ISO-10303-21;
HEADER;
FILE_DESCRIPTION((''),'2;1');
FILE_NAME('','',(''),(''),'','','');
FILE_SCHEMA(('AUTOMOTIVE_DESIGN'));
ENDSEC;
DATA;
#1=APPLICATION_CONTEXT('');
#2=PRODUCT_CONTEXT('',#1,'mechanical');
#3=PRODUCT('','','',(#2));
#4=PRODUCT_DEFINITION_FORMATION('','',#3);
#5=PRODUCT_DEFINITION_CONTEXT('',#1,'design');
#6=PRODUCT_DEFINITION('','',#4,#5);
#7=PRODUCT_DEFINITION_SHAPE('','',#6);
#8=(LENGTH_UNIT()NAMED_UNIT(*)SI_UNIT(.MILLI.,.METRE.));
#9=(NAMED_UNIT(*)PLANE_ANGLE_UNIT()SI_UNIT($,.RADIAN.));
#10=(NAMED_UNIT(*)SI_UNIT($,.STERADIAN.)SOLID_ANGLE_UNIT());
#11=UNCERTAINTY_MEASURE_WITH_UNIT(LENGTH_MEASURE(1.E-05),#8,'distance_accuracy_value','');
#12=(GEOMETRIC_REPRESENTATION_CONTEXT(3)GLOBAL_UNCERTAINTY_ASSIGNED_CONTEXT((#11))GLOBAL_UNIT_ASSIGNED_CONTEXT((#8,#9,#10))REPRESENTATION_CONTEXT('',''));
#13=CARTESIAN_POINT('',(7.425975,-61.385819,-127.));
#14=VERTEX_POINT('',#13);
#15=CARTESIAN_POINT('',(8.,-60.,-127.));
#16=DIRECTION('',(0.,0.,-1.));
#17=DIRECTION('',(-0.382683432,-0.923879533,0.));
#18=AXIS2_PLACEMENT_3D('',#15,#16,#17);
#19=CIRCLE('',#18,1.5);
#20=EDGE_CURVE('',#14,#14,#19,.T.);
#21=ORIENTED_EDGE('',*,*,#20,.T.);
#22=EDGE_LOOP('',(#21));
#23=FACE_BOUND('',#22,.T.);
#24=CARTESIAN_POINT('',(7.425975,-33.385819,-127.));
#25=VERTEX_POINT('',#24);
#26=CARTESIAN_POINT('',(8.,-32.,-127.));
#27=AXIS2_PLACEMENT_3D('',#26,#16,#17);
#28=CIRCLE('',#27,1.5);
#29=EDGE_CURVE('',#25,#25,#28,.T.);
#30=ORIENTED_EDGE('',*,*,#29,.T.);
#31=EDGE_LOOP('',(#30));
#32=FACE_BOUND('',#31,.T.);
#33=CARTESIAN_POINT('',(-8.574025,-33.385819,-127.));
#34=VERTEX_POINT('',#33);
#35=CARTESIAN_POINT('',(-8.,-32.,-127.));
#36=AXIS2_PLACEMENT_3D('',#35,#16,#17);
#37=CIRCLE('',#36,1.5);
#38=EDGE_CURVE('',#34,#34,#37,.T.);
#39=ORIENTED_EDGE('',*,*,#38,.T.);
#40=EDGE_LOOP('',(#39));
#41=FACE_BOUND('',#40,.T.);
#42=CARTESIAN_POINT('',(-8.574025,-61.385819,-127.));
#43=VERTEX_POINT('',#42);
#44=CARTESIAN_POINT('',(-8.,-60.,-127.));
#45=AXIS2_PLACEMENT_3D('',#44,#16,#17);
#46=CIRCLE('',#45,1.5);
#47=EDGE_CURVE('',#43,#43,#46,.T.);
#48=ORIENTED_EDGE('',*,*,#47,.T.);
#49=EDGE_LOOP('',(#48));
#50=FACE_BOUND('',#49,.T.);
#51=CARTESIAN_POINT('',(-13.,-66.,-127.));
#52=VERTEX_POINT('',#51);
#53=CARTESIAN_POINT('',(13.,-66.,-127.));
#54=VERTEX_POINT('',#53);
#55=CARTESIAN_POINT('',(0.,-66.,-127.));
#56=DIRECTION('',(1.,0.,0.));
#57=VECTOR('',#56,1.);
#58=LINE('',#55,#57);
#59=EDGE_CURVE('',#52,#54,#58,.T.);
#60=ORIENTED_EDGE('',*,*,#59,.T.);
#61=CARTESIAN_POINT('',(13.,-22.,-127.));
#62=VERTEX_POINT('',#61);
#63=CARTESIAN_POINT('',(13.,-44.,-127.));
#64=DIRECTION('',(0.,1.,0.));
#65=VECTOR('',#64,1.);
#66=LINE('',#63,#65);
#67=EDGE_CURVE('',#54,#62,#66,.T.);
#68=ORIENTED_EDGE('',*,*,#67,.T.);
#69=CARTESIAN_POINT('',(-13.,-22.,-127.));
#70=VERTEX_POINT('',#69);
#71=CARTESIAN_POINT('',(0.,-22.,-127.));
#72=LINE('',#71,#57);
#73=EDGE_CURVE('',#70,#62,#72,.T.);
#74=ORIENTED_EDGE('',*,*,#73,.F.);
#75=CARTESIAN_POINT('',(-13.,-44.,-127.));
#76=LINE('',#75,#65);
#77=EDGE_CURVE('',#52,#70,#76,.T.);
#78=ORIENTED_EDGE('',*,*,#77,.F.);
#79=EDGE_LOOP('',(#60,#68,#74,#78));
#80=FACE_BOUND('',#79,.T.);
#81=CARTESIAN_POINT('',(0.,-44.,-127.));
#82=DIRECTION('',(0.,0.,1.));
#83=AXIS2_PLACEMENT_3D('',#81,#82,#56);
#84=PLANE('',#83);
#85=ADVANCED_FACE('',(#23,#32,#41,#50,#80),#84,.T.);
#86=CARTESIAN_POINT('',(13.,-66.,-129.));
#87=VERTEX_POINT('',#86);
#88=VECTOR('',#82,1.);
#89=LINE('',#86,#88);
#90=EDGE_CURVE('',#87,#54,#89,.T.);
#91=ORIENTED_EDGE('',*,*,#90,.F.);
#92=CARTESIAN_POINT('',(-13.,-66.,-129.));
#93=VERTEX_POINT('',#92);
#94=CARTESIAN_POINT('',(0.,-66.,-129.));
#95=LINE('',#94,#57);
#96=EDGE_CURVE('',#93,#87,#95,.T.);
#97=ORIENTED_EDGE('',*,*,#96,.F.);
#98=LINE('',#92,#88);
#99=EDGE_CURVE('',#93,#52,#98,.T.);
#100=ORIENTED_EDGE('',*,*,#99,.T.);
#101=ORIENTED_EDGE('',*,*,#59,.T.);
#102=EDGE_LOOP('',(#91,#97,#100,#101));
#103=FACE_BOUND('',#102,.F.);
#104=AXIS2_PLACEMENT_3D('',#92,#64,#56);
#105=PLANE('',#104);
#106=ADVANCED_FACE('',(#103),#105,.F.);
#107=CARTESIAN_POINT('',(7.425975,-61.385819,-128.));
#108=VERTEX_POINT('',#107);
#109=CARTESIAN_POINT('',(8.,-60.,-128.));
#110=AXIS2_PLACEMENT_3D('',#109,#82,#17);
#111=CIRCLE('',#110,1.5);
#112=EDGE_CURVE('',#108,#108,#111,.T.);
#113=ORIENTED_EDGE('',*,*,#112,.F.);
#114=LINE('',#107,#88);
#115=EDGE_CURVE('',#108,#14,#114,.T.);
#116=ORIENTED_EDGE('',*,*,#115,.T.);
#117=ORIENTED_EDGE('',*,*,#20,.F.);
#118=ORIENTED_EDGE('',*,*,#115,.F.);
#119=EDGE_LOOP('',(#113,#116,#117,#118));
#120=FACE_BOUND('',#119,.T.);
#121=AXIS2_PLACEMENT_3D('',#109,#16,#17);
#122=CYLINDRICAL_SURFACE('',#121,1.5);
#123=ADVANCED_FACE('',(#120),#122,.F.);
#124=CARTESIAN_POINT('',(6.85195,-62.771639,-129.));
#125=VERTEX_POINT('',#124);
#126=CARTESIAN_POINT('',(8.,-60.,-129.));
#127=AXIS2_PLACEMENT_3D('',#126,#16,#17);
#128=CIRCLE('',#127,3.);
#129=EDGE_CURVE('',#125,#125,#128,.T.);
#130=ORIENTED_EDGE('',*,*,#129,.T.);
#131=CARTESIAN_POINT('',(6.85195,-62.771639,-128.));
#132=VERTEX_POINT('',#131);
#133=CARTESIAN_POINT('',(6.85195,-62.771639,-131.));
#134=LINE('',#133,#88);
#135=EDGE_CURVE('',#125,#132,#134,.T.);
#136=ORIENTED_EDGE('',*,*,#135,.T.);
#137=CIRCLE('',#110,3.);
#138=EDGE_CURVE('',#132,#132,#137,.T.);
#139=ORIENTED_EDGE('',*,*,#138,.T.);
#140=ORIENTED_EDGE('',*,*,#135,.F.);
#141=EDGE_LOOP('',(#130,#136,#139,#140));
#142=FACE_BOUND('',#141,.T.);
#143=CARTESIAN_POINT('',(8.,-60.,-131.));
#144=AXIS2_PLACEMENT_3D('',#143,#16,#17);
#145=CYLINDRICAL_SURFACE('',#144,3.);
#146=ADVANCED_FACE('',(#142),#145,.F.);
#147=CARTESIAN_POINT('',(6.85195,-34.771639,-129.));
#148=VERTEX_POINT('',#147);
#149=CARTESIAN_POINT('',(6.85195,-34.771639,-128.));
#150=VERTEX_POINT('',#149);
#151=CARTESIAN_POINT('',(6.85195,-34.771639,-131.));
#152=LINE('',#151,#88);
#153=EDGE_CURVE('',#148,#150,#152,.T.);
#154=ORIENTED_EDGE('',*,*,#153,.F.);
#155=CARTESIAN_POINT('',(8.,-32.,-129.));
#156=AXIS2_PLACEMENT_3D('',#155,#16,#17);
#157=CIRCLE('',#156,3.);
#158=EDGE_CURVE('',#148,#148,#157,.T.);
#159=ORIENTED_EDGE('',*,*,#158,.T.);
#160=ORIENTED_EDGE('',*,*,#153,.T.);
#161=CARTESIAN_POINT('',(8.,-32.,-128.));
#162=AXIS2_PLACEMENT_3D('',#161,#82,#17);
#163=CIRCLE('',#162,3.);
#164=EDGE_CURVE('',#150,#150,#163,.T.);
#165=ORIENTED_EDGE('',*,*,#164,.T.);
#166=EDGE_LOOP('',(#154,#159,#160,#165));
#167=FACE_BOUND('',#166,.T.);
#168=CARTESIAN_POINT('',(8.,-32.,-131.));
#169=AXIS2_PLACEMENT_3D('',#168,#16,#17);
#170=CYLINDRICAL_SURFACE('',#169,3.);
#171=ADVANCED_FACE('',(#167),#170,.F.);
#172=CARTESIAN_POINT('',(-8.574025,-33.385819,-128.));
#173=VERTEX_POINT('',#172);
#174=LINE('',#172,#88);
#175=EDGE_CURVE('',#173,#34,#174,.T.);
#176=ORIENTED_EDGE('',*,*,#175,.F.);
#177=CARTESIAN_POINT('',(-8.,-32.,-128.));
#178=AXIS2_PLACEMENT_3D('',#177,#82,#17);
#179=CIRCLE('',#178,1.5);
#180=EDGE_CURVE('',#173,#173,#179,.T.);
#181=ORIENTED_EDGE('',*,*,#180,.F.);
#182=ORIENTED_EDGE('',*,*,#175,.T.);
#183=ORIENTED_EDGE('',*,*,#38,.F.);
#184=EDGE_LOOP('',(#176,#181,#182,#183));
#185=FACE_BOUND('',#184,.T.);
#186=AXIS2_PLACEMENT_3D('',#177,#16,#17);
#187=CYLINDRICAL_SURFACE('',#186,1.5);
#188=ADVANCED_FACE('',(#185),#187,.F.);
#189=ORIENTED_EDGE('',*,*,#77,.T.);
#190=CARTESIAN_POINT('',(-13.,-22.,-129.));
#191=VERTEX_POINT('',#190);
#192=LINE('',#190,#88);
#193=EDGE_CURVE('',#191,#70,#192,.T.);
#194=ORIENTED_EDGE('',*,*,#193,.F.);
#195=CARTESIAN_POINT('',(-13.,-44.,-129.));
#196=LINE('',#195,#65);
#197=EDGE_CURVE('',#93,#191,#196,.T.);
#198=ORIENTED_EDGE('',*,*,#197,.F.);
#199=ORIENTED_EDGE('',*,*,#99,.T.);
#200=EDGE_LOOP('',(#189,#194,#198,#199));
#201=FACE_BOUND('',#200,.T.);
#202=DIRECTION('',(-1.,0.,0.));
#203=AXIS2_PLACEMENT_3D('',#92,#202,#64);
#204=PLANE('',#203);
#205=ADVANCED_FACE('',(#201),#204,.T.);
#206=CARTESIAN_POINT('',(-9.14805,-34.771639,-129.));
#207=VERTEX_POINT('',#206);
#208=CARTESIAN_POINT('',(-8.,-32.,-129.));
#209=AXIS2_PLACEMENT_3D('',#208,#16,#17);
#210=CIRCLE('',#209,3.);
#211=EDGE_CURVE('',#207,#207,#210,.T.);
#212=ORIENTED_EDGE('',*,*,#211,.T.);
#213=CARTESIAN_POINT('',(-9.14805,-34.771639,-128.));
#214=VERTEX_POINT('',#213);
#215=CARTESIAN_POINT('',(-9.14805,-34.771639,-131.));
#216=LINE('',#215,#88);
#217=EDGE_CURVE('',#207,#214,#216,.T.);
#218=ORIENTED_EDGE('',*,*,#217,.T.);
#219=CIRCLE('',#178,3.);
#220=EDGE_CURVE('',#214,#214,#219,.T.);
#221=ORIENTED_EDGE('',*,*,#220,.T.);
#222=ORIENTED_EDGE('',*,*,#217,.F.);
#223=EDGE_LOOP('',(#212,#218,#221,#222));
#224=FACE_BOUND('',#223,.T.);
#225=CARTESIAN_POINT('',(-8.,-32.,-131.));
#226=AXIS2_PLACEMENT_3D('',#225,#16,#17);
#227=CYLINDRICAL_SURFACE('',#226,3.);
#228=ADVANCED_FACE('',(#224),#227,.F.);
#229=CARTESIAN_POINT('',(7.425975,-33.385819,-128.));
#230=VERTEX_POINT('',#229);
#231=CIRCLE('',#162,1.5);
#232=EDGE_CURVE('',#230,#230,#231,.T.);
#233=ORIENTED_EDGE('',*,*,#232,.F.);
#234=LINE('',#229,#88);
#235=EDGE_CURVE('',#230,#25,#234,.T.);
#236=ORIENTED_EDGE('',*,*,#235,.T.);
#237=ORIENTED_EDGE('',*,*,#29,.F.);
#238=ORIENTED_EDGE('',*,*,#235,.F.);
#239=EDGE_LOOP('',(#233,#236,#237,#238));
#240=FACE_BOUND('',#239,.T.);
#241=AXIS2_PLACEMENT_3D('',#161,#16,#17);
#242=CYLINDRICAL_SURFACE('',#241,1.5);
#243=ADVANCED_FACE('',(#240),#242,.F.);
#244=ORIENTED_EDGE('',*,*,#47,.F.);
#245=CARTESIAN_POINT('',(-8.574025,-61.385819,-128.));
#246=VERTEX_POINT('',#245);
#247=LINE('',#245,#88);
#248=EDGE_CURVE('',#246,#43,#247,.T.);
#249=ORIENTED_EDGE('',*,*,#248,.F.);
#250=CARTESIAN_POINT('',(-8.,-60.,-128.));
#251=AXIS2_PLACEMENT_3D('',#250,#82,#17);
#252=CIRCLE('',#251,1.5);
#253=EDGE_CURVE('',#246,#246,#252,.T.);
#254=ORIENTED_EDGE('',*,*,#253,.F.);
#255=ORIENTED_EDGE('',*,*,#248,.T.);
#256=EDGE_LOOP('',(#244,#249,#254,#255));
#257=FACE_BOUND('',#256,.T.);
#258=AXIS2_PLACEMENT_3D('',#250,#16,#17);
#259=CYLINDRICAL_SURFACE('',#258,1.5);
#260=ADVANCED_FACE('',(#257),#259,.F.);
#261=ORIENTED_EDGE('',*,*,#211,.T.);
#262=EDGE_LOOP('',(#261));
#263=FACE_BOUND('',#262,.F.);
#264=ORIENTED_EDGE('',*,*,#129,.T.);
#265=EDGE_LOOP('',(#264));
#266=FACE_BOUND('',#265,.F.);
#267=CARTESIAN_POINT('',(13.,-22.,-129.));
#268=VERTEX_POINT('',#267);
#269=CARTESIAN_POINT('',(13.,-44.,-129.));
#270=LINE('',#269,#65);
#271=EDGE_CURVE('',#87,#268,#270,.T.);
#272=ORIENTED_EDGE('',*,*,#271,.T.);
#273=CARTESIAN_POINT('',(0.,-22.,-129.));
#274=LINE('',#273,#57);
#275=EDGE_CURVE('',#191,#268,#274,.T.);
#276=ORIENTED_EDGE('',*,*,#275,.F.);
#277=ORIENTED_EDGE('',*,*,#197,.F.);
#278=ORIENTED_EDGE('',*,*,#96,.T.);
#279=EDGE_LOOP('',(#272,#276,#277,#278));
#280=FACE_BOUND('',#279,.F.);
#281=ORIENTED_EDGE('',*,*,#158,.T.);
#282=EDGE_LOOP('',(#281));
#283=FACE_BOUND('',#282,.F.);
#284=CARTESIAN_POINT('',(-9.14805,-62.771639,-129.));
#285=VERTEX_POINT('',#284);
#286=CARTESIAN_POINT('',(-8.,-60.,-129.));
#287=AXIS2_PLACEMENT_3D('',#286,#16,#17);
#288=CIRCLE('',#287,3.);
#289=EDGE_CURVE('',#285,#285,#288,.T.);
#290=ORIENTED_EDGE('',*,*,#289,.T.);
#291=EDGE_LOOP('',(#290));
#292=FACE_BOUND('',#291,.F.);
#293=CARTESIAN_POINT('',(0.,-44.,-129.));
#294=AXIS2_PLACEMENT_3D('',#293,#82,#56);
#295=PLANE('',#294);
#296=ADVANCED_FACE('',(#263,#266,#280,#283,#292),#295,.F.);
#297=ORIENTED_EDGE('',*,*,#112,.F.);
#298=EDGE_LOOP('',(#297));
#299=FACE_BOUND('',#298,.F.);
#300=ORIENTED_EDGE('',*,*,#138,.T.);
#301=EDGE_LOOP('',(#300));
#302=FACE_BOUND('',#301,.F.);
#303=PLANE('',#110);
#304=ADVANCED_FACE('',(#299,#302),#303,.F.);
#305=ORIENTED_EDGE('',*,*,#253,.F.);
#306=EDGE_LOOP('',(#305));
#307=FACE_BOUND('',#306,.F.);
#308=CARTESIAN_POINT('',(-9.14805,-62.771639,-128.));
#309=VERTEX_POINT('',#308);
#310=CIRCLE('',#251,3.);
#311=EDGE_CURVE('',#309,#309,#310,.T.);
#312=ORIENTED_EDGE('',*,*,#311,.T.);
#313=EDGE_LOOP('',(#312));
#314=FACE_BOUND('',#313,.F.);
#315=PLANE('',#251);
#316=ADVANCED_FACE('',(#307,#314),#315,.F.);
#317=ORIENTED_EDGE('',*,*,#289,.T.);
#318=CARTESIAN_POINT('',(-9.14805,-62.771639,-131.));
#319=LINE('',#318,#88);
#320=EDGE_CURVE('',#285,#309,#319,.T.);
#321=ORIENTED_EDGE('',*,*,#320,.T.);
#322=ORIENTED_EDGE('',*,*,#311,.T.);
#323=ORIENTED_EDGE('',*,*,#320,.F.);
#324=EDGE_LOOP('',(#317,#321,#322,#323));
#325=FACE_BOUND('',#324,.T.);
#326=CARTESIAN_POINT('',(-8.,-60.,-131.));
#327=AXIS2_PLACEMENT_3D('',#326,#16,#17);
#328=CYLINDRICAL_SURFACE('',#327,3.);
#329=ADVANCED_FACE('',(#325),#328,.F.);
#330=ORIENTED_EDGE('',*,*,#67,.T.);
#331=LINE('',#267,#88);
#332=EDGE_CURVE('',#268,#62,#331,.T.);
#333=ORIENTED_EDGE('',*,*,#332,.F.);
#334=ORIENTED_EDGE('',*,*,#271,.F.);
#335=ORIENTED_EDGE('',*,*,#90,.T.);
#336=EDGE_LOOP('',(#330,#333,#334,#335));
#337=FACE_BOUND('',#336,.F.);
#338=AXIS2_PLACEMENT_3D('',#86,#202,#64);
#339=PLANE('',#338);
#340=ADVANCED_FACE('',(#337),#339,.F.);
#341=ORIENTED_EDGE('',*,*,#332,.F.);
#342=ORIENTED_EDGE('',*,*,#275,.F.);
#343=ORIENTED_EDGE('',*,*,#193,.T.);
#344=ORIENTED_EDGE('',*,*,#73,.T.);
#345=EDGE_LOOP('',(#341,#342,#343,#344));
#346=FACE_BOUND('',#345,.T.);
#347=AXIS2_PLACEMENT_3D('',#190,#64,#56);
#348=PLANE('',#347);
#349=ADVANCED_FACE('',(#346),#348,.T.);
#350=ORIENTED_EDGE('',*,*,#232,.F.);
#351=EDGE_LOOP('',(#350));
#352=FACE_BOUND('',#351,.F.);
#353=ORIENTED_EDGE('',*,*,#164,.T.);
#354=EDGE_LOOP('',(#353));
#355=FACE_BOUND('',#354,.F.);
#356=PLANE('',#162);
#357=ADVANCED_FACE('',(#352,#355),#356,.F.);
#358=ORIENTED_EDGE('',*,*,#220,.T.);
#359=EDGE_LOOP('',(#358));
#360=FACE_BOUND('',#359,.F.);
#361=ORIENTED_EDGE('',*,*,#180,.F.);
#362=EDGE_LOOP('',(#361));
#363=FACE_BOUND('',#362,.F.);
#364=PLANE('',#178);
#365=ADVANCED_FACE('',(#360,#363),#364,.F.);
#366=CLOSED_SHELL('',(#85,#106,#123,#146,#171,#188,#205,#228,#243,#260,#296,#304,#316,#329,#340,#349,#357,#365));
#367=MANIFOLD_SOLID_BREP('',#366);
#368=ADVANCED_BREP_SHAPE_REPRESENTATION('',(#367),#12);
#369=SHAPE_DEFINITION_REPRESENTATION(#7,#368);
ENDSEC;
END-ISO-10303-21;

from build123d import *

# Parameters (mm, degrees)
CYLINDER1890_R               = 1.5
CYLINDER1890_DEPTH           = 20
CYLINDER1890_PLACEMENT_ANGLE = -112.5
CYLINDER1891_R               = 1.5
CYLINDER1891_DEPTH           = 20
CYLINDER1891_PLACEMENT_ANGLE = 112.5
CYLINDER1892_R               = 1.5
CYLINDER1892_DEPTH           = 20
CYLINDER1892_PLACEMENT_ANGLE = 112.5
CYLINDER1893_R               = 1.5
CYLINDER1893_DEPTH           = 20
CYLINDER1893_PLACEMENT_ANGLE = -112.5
CYLINDER1885_R               = 3
CYLINDER1885_DEPTH           = 3
CYLINDER1885_PLACEMENT_ANGLE = -112.5
CYLINDER1894_R               = 3
CYLINDER1894_DEPTH           = 3
CYLINDER1894_PLACEMENT_ANGLE = 112.5
CYLINDER1895_R               = 3
CYLINDER1895_DEPTH           = 3
CYLINDER1895_PLACEMENT_ANGLE = 112.5
CYLINDER1884_R               = 3
CYLINDER1884_DEPTH           = 3
CYLINDER1884_PLACEMENT_ANGLE = -112.5
BOX748_W                     = 26
BOX748_H                     = 44
BOX748_DEPTH                 = 2


with BuildPart() as v_lec1890:
    # Cylinder1890 → Cylinder1890 (new body)
    with BuildSketch(Plane.XY):
        Circle(CYLINDER1890_R)
    extrude(amount=CYLINDER1890_DEPTH)


with BuildPart() as v_lec1890_1:
    # Cylinder1890 placement: moved
    add(v_lec1890.part.moved(Location((-8, 34, 51))).rotate(Axis((-8, 34, 51), (0, 0, 1)), CYLINDER1890_PLACEMENT_ANGLE))


with BuildPart() as v_lec1891:
    # Cylinder1891 → Cylinder1891 (new body)
    with BuildSketch(Plane.XY):
        Circle(CYLINDER1891_R)
    extrude(amount=CYLINDER1891_DEPTH)


with BuildPart() as v_lec1891_1:
    # Cylinder1891 placement: moved
    add(v_lec1891.part.moved(Location((8, 62, 51))).rotate(Axis((8, 62, 51), (0, 0, -1)), CYLINDER1891_PLACEMENT_ANGLE))


with BuildPart() as v_lec1892:
    # Cylinder1892 → Cylinder1892 (new body)
    with BuildSketch(Plane.XY):
        Circle(CYLINDER1892_R)
    extrude(amount=CYLINDER1892_DEPTH)


with BuildPart() as v_lec1892_1:
    # Cylinder1892 placement: moved
    add(v_lec1892.part.moved(Location((-8, 62, 51))).rotate(Axis((-8, 62, 51), (0, 0, -1)), CYLINDER1892_PLACEMENT_ANGLE))


with BuildPart() as compound848:
    # Cylinder1893 → Cylinder1893 (new body)
    with BuildSketch(Plane.XY):
        Circle(CYLINDER1893_R)
    extrude(amount=CYLINDER1893_DEPTH)


with BuildPart() as compound848_1:
    # Cylinder1893 placement: moved
    add(compound848.part.moved(Location((8, 34, 51))).rotate(Axis((8, 34, 51), (0, 0, 1)), CYLINDER1893_PLACEMENT_ANGLE))

    # Compound848: union Válec1890, Válec1891, Válec1892
    add(v_lec1890_1.part)
    add(v_lec1891_1.part)
    add(v_lec1892_1.part)


with BuildPart() as compound848_2:
    # Compound848 placement: moved
    add(compound848_1.part.moved(Location((0, -94, -180))))


with BuildPart() as v_lec1885:
    # Cylinder1885 → Cylinder1885 (new body)
    with BuildSketch(Plane.XY):
        Circle(CYLINDER1885_R)
    extrude(amount=CYLINDER1885_DEPTH)


with BuildPart() as v_lec1885_1:
    # Cylinder1885 placement: moved
    add(v_lec1885.part.moved(Location((-8, 34, 51))).rotate(Axis((-8, 34, 51), (0, 0, 1)), CYLINDER1885_PLACEMENT_ANGLE))


with BuildPart() as v_lec1894:
    # Cylinder1894 → Cylinder1894 (new body)
    with BuildSketch(Plane.XY):
        Circle(CYLINDER1894_R)
    extrude(amount=CYLINDER1894_DEPTH)


with BuildPart() as v_lec1894_1:
    # Cylinder1894 placement: moved
    add(v_lec1894.part.moved(Location((8, 62, 51))).rotate(Axis((8, 62, 51), (0, 0, -1)), CYLINDER1894_PLACEMENT_ANGLE))


with BuildPart() as v_lec1895:
    # Cylinder1895 → Cylinder1895 (new body)
    with BuildSketch(Plane.XY):
        Circle(CYLINDER1895_R)
    extrude(amount=CYLINDER1895_DEPTH)


with BuildPart() as v_lec1895_1:
    # Cylinder1895 placement: moved
    add(v_lec1895.part.moved(Location((-8, 62, 51))).rotate(Axis((-8, 62, 51), (0, 0, -1)), CYLINDER1895_PLACEMENT_ANGLE))


with BuildPart() as compound847:
    # Cylinder1884 → Cylinder1884 (new body)
    with BuildSketch(Plane.XY):
        Circle(CYLINDER1884_R)
    extrude(amount=CYLINDER1884_DEPTH)


with BuildPart() as compound847_1:
    # Cylinder1884 placement: moved
    add(compound847.part.moved(Location((8, 34, 51))).rotate(Axis((8, 34, 51), (0, 0, 1)), CYLINDER1884_PLACEMENT_ANGLE))

    # Compound847: union Válec1885, Válec1894, Válec1895
    add(v_lec1885_1.part)
    add(v_lec1894_1.part)
    add(v_lec1895_1.part)


with BuildPart() as compound847_2:
    # Compound847 placement: moved
    add(compound847_1.part.moved(Location((0, -94, -183))))


with BuildPart() as cut687:
    # Box748 → Box748 (new body)
    with BuildSketch(Plane(origin=(-13, -66, -130), x_dir=(1, 0, 0), z_dir=(0, 0, 1))):
        with Locations((13, 22)):
            Rectangle(BOX748_W, BOX748_H)
    extrude(amount=BOX748_DEPTH)

    # Cut686: cut Compound847
    add(compound847_2.part, mode=Mode.SUBTRACT)

    # Cut687: cut Compound848
    add(compound848_2.part, mode=Mode.SUBTRACT)


with BuildPart() as cut687_1:
    # Cut687 placement: moved
    add(cut687.part.moved(Location((0, 0, 1))))


solid = cut687_1.part
